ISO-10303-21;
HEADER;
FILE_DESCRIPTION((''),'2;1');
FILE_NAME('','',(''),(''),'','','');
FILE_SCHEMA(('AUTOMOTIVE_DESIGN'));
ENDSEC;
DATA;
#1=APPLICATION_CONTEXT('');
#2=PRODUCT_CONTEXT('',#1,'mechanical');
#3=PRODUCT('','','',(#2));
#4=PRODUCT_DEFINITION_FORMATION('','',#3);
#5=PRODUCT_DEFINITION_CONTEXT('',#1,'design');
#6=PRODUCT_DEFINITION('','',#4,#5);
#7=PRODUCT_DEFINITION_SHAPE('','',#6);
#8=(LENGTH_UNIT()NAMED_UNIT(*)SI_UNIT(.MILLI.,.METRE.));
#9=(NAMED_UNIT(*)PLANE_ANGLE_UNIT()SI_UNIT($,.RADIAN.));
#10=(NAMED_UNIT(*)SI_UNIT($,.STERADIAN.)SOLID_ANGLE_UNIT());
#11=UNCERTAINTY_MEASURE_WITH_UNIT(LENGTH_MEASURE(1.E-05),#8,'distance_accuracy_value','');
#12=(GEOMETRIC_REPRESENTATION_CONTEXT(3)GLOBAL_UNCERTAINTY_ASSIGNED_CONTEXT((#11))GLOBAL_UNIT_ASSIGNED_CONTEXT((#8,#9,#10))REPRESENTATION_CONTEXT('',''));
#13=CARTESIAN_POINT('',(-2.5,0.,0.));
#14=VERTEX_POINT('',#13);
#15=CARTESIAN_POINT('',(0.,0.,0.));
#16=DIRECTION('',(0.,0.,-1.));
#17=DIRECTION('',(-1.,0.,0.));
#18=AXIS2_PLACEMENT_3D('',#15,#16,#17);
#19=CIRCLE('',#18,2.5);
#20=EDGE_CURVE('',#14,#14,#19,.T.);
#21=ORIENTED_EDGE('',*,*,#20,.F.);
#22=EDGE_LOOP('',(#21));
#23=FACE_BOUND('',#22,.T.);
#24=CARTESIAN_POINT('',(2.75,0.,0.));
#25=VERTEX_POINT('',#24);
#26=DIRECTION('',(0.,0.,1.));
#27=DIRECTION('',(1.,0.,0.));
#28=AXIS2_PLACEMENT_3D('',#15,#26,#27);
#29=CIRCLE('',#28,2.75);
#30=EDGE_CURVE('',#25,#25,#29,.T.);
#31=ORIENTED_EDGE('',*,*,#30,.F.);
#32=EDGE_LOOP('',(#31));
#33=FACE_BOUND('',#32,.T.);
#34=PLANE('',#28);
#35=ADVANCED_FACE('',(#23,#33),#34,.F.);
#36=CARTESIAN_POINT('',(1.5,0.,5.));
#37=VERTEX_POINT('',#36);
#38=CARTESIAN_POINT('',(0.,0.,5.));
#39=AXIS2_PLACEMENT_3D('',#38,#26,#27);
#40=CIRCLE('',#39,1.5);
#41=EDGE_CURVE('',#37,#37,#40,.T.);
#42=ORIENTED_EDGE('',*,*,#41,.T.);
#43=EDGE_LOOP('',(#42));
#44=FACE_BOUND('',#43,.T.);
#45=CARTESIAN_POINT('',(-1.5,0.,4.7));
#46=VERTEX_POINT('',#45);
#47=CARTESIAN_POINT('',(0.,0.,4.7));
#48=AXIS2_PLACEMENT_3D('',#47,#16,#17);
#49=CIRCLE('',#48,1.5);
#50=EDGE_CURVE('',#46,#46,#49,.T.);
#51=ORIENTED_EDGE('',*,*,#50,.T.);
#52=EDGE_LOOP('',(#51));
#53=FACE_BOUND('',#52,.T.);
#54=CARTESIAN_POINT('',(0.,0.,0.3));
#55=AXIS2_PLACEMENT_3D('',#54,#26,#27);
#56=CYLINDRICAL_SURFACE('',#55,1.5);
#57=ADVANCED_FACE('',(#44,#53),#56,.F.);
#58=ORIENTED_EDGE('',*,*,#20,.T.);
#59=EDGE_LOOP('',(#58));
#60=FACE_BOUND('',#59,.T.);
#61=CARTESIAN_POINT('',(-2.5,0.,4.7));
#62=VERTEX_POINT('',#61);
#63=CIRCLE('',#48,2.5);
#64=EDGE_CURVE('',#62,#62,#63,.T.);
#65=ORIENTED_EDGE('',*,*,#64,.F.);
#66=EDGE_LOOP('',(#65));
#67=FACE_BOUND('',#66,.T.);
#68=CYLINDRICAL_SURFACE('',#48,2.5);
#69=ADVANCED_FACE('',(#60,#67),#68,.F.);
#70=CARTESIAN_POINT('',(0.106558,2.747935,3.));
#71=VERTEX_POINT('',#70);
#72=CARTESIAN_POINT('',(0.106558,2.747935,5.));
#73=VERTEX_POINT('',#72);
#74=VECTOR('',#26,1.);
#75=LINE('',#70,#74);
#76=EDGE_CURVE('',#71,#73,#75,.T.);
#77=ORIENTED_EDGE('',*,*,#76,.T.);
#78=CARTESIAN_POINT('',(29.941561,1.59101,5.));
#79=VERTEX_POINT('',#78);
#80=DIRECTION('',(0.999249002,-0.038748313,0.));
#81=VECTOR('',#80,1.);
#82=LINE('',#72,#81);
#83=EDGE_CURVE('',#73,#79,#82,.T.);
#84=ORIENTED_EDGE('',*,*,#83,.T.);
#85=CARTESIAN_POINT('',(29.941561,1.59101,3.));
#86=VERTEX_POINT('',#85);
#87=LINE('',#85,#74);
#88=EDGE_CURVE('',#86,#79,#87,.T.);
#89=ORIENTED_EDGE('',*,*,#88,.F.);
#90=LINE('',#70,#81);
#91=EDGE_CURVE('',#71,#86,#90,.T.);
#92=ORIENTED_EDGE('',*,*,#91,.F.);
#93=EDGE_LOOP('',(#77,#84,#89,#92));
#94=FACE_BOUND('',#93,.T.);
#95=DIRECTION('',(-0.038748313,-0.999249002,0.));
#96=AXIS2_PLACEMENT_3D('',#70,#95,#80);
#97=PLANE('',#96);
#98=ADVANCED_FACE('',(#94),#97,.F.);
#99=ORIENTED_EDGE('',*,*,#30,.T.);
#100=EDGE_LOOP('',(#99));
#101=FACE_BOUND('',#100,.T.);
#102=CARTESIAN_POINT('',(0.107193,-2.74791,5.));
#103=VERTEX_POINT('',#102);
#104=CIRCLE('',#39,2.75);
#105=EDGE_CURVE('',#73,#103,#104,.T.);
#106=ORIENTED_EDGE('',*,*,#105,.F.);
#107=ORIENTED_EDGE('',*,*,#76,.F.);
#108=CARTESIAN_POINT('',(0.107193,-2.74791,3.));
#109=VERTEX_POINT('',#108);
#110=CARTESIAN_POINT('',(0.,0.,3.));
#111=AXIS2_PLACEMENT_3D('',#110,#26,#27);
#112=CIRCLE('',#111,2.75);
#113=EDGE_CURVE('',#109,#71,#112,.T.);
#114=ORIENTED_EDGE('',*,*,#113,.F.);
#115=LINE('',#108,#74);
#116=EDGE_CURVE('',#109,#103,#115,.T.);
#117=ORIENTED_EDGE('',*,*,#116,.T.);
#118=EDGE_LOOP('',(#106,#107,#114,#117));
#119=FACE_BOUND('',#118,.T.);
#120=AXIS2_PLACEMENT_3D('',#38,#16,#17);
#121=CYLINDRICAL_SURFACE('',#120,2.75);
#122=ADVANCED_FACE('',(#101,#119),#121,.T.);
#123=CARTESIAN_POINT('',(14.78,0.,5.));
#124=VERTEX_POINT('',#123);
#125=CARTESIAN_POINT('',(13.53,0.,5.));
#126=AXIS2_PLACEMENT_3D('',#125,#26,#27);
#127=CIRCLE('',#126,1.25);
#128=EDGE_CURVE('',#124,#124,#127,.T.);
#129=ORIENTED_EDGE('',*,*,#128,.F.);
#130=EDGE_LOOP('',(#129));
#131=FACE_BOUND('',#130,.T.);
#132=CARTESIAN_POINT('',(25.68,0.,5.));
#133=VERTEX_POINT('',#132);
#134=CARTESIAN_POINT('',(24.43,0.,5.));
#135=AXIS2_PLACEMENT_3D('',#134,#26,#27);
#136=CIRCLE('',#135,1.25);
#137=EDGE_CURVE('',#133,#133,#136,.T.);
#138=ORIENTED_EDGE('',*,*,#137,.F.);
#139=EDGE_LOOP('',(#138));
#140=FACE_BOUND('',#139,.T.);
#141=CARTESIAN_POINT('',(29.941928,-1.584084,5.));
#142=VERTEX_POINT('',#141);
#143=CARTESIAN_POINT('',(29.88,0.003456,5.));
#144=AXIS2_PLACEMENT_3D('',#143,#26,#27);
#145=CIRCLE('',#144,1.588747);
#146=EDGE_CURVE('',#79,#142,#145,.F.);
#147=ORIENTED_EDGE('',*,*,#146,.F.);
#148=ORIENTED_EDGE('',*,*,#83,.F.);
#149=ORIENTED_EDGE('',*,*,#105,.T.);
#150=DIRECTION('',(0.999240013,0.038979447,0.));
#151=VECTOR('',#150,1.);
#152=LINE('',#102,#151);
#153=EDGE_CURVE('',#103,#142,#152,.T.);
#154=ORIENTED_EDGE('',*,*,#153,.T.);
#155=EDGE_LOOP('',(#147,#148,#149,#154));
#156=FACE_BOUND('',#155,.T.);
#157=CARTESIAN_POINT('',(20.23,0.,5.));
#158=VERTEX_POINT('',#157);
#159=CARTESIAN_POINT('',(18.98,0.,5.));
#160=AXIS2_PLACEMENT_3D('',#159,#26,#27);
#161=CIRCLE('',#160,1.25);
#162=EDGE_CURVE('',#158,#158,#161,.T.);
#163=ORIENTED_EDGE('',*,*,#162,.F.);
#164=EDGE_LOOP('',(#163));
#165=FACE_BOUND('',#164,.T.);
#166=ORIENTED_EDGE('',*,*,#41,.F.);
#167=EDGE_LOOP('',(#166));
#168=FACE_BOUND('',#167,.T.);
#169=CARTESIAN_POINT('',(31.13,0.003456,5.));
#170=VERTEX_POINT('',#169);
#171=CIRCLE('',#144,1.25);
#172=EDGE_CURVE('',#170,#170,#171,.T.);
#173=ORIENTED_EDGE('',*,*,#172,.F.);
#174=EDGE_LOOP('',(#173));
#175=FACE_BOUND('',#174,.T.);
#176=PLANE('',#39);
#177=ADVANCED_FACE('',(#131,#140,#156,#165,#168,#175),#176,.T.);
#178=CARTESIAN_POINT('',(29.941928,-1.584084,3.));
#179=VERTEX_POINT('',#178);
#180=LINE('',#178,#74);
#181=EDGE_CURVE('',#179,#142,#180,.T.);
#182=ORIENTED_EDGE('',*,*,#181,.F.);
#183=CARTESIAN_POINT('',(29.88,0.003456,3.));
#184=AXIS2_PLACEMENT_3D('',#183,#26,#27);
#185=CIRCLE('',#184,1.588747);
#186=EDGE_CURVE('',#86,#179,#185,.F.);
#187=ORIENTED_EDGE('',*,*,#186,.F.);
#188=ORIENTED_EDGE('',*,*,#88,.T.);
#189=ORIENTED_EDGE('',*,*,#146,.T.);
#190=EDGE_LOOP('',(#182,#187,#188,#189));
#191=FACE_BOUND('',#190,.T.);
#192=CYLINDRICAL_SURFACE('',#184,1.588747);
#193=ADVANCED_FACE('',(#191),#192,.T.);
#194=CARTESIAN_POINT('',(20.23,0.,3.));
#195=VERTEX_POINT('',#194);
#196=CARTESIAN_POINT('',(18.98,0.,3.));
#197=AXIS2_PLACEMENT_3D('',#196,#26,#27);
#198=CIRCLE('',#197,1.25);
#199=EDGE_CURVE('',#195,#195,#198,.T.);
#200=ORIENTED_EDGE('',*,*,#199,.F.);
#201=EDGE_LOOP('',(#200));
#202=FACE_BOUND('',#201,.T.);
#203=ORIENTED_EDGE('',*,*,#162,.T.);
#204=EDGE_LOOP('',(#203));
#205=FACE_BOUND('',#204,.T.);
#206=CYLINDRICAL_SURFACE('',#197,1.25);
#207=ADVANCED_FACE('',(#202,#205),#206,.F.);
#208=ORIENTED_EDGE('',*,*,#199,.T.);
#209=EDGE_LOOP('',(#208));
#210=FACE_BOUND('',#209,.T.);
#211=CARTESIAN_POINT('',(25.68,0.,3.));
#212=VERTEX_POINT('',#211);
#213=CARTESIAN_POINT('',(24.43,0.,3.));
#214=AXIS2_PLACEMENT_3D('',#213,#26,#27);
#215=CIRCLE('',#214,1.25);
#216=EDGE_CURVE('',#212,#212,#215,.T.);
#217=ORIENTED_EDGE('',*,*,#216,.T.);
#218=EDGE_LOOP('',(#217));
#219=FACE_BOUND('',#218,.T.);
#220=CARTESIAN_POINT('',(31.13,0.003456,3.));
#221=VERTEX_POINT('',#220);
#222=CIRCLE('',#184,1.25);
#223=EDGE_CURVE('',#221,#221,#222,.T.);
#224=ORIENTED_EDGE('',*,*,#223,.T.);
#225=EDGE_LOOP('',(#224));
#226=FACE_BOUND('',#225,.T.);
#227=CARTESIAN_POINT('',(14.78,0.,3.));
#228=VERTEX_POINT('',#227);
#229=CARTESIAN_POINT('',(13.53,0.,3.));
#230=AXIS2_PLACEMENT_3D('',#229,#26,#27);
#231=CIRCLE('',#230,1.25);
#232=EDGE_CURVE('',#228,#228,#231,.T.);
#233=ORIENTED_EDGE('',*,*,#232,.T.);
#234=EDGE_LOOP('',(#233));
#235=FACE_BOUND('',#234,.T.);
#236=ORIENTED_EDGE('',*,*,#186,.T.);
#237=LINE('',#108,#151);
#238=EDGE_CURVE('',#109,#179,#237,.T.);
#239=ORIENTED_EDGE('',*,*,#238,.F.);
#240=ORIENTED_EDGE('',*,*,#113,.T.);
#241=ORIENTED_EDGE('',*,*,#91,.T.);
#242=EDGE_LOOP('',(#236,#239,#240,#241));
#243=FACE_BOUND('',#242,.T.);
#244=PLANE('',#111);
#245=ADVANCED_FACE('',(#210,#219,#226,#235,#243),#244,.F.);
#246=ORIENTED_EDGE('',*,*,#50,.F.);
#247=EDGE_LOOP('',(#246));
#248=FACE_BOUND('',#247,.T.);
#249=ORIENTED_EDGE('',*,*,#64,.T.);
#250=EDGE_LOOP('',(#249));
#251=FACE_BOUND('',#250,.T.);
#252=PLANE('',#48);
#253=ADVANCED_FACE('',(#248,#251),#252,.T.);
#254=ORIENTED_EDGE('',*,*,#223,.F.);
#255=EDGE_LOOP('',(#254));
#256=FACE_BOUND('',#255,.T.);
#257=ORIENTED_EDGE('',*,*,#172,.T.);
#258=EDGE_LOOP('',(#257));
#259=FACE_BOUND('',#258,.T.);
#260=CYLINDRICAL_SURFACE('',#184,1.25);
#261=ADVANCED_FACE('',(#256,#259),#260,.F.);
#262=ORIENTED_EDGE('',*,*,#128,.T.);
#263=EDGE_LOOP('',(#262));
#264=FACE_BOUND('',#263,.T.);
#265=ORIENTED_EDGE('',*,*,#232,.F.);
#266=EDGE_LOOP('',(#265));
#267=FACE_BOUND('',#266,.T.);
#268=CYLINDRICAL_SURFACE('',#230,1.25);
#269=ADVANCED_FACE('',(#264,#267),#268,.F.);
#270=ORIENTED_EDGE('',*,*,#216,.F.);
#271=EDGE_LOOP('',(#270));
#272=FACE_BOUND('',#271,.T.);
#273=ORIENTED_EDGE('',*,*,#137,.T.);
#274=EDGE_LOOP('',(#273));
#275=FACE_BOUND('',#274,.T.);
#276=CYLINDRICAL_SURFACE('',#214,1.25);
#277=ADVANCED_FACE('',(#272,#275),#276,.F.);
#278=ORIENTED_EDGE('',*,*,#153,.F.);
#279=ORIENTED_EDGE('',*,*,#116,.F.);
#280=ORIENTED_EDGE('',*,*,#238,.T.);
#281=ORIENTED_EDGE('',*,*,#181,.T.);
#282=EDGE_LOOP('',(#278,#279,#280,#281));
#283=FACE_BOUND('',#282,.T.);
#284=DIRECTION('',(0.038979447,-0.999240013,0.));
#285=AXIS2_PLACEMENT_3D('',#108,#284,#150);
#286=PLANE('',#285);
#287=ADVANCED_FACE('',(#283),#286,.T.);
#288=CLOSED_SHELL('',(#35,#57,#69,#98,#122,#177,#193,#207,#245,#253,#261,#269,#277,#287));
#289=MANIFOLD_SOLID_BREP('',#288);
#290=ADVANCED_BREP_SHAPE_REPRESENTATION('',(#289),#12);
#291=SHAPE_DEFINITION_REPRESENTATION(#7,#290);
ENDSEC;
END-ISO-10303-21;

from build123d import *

# Parameters (mm, degrees)
SKETCH_1_R          = 2.75
EXTRUDE_1_DEPTH     = 5
SKETCH_2_R          = 2.5
CUT_EXTRUDE_1_DEPTH = 4.7
SKETCH_3_R          = 1.5
CUT_EXTRUDE_2_DEPTH = 4.7
EXTRUDE_START       = -2
SKETCH_4_R          = 1.25
EXTRUDE_3_DEPTH     = 2


with BuildPart() as part:
    # 草图1 → 凸台-拉伸1 (new body)
    with BuildSketch(Plane.XY):
        Circle(SKETCH_1_R)
    extrude(amount=EXTRUDE_1_DEPTH)

    # 草图2 → 切除-拉伸1 (cut)
    with BuildSketch(Plane(origin=(0, 0, 0), x_dir=(-1, 0, 0), z_dir=(0, 0, -1))):
        Circle(SKETCH_2_R)
    extrude(amount=-CUT_EXTRUDE_1_DEPTH, mode=Mode.SUBTRACT)

    # 草图3 → 切除-拉伸2 (cut)
    with BuildSketch(Plane.XY.offset(5)):
        Circle(SKETCH_3_R)
    extrude(amount=-CUT_EXTRUDE_2_DEPTH, mode=Mode.SUBTRACT)

    # 草图4 → 凸台-拉伸3 (add)
    with BuildSketch(Plane.XY.offset(5).offset(EXTRUDE_START)):
        with BuildLine():
            Line((29.941561076, 1.591009855), (0.106557862, 2.747934756))
            ThreePointArc((0.106557862, 2.747934756), (1.981859495, 1.906497558), (2.75, 0))
            ThreePointArc((2.75, 0), (1.982079977, -1.906268335), (0.10719348, -2.747910035))
            Line((0.10719348, -2.747910035), (29.94192829, -1.584084071))
            ThreePointArc((29.94192829, -1.584084071), (31.46874704, 0.003639496), (29.941561076, 1.591009855))
        make_face()
        with Locations((13.53, 0)):
            Circle(SKETCH_4_R, mode=Mode.SUBTRACT)
        with Locations((18.98, 0)):
            Circle(SKETCH_4_R, mode=Mode.SUBTRACT)
        with Locations((24.43, 0)):
            Circle(SKETCH_4_R, mode=Mode.SUBTRACT)
        with Locations((29.8799998, 0.003455751)):
            Circle(SKETCH_4_R, mode=Mode.SUBTRACT)
    extrude(amount=EXTRUDE_3_DEPTH)


solid = part.part
